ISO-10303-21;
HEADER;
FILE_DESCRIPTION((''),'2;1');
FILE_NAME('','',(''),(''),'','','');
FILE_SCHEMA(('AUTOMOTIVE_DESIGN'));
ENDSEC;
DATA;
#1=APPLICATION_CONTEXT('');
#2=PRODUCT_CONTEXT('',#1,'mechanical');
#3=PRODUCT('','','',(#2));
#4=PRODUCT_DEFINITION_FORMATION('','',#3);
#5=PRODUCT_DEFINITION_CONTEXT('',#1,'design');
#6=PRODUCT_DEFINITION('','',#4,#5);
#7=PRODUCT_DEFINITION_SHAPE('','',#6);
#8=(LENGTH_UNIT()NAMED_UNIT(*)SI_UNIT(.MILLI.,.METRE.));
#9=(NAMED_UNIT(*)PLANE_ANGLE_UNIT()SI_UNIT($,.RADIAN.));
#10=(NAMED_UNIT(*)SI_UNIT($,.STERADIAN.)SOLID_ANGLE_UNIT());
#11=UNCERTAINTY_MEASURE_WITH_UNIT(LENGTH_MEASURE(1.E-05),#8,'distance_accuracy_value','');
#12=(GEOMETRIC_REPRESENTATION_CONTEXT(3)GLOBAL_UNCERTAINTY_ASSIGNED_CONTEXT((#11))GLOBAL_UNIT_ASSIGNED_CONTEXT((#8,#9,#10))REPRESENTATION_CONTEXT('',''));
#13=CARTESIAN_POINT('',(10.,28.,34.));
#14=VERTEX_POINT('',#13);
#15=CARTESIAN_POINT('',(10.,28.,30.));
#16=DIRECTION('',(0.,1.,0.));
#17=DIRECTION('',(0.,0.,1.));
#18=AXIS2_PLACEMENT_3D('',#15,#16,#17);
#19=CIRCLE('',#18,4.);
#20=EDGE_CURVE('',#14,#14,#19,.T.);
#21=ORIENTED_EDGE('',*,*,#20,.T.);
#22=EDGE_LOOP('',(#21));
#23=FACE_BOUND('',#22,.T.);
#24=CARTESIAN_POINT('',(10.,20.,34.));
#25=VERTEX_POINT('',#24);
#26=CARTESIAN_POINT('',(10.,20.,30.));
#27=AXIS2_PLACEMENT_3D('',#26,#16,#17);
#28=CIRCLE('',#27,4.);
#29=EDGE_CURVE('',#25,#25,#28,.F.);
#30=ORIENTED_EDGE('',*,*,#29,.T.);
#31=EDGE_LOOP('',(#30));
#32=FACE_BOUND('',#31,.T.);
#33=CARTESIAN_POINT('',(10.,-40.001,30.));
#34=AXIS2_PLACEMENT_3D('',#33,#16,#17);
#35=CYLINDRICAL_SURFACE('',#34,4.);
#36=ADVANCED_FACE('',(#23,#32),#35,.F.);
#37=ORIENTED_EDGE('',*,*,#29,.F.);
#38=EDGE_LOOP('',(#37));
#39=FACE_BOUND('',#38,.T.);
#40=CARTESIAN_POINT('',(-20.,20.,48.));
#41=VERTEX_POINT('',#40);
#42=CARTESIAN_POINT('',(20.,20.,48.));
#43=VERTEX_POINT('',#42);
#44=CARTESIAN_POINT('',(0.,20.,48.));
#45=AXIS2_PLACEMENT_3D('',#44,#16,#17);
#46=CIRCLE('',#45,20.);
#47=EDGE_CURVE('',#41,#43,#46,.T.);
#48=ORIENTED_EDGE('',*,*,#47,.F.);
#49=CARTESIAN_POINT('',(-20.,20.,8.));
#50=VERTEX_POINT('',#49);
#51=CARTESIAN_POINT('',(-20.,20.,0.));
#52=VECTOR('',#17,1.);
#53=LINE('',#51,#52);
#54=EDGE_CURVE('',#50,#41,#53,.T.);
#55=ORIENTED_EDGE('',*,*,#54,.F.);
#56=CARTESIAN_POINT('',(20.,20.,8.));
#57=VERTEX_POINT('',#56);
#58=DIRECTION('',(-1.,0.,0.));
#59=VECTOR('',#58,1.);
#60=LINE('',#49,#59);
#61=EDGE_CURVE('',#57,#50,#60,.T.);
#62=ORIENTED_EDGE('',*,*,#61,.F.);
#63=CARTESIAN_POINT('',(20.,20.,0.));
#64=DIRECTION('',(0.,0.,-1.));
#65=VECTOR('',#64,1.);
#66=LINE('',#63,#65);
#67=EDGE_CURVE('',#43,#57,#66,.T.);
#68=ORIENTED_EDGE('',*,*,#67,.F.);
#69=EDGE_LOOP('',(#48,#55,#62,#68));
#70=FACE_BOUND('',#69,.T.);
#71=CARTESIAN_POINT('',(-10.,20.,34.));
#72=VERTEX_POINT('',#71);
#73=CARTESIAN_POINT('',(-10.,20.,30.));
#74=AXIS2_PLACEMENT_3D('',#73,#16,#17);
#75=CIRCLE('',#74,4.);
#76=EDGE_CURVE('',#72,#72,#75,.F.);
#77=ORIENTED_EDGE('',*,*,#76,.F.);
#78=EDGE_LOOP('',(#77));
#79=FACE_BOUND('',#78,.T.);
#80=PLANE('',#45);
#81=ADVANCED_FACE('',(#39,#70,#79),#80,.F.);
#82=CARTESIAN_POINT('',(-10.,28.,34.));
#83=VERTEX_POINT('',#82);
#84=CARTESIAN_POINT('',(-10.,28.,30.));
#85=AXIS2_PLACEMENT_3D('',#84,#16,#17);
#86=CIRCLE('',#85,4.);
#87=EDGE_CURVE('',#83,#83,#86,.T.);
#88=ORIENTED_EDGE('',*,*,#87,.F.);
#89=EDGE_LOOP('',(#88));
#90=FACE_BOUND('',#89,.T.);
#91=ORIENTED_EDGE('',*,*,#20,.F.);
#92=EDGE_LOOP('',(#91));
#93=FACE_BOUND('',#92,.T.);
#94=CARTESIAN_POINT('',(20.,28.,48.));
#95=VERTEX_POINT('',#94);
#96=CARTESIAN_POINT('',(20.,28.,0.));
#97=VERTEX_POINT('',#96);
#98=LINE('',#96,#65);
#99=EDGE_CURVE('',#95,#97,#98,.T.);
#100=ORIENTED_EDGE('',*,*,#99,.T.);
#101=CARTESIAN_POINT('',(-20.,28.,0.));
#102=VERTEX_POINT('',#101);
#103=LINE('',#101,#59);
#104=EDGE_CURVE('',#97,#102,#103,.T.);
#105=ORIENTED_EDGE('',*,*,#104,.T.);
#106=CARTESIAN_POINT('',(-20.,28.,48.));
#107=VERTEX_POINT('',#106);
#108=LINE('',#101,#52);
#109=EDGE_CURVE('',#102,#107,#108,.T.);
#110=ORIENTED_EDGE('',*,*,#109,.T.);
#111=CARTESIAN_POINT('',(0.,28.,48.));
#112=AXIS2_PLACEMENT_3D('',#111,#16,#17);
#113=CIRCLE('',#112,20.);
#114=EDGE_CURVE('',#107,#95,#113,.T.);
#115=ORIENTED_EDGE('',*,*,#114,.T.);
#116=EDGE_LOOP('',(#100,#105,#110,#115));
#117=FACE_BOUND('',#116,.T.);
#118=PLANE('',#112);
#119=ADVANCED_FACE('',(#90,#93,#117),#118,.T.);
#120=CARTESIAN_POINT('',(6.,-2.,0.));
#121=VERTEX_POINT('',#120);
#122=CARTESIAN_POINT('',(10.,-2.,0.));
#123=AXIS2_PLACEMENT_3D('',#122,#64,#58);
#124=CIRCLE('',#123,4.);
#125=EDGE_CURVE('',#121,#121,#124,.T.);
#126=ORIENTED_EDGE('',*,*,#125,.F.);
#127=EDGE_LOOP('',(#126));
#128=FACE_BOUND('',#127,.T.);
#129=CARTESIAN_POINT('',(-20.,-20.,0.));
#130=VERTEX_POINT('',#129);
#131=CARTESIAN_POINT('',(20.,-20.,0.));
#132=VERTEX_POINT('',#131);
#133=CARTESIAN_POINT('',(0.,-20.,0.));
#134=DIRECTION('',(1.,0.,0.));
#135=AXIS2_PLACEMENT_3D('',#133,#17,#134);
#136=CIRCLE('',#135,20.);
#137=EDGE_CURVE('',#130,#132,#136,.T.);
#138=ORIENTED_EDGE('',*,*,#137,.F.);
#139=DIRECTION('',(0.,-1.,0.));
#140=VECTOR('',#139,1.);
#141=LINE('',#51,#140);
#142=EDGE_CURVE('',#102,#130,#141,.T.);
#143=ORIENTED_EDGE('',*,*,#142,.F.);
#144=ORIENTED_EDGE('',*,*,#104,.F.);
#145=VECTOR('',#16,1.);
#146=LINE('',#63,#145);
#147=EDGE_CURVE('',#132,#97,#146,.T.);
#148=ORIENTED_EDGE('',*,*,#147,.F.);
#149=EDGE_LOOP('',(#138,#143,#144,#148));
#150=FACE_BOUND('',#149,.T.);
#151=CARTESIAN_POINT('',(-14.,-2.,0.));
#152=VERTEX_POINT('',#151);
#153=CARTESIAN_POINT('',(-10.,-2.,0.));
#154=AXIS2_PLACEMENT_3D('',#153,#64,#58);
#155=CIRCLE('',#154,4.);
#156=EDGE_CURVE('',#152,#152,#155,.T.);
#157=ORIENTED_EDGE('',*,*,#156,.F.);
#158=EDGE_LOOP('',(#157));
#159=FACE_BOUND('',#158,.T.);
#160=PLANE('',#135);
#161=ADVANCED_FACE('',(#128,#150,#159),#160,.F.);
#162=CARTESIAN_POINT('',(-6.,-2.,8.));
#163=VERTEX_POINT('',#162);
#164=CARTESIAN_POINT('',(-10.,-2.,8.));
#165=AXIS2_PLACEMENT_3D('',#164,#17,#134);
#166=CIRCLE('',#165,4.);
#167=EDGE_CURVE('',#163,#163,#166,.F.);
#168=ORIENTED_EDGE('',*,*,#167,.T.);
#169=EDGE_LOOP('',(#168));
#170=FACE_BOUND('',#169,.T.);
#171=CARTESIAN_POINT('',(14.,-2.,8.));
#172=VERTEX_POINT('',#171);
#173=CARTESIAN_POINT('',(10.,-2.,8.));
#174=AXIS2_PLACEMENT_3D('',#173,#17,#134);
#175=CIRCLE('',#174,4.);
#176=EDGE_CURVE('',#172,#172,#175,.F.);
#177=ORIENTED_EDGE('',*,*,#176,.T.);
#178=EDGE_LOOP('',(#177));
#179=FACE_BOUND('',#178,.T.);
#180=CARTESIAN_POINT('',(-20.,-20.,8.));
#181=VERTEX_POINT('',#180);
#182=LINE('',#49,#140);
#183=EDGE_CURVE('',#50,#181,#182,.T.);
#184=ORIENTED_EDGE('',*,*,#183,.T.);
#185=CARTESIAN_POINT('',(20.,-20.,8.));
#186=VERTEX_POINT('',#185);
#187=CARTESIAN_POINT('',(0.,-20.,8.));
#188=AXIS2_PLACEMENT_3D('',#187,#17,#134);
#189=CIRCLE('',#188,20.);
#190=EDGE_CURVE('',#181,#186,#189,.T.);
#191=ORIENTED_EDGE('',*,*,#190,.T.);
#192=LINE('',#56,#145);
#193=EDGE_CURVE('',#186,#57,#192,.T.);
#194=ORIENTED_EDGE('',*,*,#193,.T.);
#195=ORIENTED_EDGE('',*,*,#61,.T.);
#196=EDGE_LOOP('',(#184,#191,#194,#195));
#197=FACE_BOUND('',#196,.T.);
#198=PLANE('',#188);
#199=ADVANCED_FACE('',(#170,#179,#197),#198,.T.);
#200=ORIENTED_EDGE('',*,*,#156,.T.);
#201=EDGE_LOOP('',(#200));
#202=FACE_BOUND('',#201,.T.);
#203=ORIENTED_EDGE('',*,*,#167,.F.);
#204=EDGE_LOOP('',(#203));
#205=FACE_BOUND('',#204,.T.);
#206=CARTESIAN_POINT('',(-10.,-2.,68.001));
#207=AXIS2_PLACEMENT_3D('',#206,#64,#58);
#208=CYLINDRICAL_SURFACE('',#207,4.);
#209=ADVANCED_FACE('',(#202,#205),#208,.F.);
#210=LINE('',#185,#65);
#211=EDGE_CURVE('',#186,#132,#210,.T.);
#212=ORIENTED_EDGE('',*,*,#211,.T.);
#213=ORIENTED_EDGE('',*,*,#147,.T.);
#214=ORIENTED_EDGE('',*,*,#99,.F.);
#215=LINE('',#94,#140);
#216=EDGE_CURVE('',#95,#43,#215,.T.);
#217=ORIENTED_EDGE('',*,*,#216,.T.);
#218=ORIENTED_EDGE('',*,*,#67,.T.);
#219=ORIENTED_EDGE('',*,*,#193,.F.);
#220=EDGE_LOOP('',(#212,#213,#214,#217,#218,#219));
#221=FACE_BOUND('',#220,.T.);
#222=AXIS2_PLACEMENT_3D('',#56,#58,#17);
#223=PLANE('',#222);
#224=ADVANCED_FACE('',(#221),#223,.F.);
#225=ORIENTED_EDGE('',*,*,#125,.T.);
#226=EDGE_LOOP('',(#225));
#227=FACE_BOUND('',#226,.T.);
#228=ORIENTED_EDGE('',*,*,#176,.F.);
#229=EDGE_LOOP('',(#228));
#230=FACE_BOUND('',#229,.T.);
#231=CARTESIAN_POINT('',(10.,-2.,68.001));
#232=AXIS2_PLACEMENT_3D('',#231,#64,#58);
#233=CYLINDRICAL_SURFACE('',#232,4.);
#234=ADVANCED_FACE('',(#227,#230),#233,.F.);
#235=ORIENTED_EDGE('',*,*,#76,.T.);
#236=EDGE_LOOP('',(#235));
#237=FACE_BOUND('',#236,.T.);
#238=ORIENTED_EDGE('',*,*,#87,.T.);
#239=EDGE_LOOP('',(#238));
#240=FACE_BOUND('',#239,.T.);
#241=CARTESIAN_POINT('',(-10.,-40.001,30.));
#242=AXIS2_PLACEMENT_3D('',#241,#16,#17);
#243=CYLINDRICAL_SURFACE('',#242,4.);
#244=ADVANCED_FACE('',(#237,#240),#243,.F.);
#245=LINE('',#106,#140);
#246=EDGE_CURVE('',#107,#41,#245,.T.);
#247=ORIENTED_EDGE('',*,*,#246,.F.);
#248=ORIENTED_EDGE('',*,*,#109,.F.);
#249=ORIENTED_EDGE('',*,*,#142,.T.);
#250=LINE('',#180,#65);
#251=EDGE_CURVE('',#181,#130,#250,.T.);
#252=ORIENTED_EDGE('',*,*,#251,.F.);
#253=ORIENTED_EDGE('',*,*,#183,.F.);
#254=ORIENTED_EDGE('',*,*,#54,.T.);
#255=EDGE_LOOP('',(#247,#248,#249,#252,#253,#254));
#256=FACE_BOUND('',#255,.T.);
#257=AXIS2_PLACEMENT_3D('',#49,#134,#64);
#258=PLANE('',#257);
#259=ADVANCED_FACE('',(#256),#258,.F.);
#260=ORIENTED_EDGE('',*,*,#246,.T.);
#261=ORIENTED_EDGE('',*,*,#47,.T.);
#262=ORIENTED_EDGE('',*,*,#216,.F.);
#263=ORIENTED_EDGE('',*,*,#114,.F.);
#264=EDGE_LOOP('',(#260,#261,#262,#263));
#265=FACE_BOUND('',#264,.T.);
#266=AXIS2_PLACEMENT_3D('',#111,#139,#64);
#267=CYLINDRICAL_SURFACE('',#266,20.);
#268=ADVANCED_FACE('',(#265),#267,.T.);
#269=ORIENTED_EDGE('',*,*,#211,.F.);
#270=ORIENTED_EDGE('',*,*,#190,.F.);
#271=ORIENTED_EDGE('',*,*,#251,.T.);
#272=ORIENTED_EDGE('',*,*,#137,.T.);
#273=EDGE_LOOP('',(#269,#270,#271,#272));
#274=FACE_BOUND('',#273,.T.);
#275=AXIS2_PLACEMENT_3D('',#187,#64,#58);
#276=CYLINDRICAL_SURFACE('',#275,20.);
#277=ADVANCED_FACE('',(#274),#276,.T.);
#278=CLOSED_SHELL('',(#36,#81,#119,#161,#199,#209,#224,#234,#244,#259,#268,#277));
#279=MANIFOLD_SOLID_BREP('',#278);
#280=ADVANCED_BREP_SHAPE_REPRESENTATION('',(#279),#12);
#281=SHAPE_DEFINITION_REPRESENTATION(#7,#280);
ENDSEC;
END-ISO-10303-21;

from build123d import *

# Parameters (mm, degrees)
EXTRUDE_1_DEPTH     = 8
EXTRUDE_2_DEPTH     = 8
CUT_EXTRUDE_1_REACH = 83.388
SKETCH_3_R          = 4
CUT_EXTRUDE_2_REACH = 100.224
SKETCH_4_R          = 4


with BuildPart() as part:
    # 草图1 → 凸台-拉伸1 (new body)
    with BuildSketch(Plane.XY):
        with BuildLine():
            Line((-20, 20), (20, 20))
            Line((20, 20), (20, -20))
            ThreePointArc((20, -20), (0, -40), (-20, -20))
            Line((-20, -20), (-20, 20))
        make_face()
    extrude(amount=EXTRUDE_1_DEPTH)

    # 草图2 → 凸台-拉伸2 (add)
    with BuildSketch(Plane(origin=(0, 20, 0), x_dir=(1, 0, 0), z_dir=(0, 1, 0))):
        with BuildLine():
            Line((-20, 0), (20, 0))
            Line((20, 0), (20, -48))
            ThreePointArc((20, -48), (0, -68), (-20, -48))
            Line((-20, -48), (-20, 0))
        make_face()
    extrude(amount=EXTRUDE_2_DEPTH)

    # 草图3 → 切除-拉伸1 (cut, up to next)
    with BuildSketch(Plane(origin=(0, 0, 0), x_dir=(-1, 0, 0), z_dir=(0, 0, -1)), mode=Mode.PRIVATE) as cut_extrude_1_sk1:
        with Locations((-10, -2)):
            Circle(SKETCH_3_R)
    cut_extrude_1_tool1 = extrude(cut_extrude_1_sk1.sketch, amount=-CUT_EXTRUDE_1_REACH, mode=Mode.PRIVATE) & part.part
    # 草图3 → 切除-拉伸1 (cut, up to next)
    with BuildSketch(Plane(origin=(0, 0, 0), x_dir=(-1, 0, 0), z_dir=(0, 0, -1)), mode=Mode.PRIVATE) as cut_extrude_1_sk2:
        with Locations((10, -2)):
            Circle(SKETCH_3_R)
    cut_extrude_1_tool2 = extrude(cut_extrude_1_sk2.sketch, amount=-CUT_EXTRUDE_1_REACH, mode=Mode.PRIVATE) & part.part
    add(cut_extrude_1_tool1.solids().sort_by_distance((10, -2, 0))[0], mode=Mode.SUBTRACT)
    add(cut_extrude_1_tool2.solids().sort_by_distance((-10, -2, 0))[0], mode=Mode.SUBTRACT)

    # 草图4 → 切除-拉伸2 (cut, up to next)
    with BuildSketch(Plane(origin=(0, 28, 0), x_dir=(1, 0, 0), z_dir=(0, 1, 0)), mode=Mode.PRIVATE) as cut_extrude_2_sk1:
        with Locations(Location((-10, -30, 0), (0, 0, 270))):
            Circle(SKETCH_4_R)
    cut_extrude_2_tool1 = extrude(cut_extrude_2_sk1.sketch, amount=-CUT_EXTRUDE_2_REACH, mode=Mode.PRIVATE) & part.part
    # 草图4 → 切除-拉伸2 (cut, up to next)
    with BuildSketch(Plane(origin=(0, 28, 0), x_dir=(1, 0, 0), z_dir=(0, 1, 0)), mode=Mode.PRIVATE) as cut_extrude_2_sk2:
        with Locations(Location((10, -30, 0), (0, 0, 270))):
            Circle(SKETCH_4_R)
    cut_extrude_2_tool2 = extrude(cut_extrude_2_sk2.sketch, amount=-CUT_EXTRUDE_2_REACH, mode=Mode.PRIVATE) & part.part
    add(cut_extrude_2_tool1.solids().sort_by_distance((-10, 28, 30))[0], mode=Mode.SUBTRACT)
    add(cut_extrude_2_tool2.solids().sort_by_distance((10, 28, 30))[0], mode=Mode.SUBTRACT)


solid = part.part
